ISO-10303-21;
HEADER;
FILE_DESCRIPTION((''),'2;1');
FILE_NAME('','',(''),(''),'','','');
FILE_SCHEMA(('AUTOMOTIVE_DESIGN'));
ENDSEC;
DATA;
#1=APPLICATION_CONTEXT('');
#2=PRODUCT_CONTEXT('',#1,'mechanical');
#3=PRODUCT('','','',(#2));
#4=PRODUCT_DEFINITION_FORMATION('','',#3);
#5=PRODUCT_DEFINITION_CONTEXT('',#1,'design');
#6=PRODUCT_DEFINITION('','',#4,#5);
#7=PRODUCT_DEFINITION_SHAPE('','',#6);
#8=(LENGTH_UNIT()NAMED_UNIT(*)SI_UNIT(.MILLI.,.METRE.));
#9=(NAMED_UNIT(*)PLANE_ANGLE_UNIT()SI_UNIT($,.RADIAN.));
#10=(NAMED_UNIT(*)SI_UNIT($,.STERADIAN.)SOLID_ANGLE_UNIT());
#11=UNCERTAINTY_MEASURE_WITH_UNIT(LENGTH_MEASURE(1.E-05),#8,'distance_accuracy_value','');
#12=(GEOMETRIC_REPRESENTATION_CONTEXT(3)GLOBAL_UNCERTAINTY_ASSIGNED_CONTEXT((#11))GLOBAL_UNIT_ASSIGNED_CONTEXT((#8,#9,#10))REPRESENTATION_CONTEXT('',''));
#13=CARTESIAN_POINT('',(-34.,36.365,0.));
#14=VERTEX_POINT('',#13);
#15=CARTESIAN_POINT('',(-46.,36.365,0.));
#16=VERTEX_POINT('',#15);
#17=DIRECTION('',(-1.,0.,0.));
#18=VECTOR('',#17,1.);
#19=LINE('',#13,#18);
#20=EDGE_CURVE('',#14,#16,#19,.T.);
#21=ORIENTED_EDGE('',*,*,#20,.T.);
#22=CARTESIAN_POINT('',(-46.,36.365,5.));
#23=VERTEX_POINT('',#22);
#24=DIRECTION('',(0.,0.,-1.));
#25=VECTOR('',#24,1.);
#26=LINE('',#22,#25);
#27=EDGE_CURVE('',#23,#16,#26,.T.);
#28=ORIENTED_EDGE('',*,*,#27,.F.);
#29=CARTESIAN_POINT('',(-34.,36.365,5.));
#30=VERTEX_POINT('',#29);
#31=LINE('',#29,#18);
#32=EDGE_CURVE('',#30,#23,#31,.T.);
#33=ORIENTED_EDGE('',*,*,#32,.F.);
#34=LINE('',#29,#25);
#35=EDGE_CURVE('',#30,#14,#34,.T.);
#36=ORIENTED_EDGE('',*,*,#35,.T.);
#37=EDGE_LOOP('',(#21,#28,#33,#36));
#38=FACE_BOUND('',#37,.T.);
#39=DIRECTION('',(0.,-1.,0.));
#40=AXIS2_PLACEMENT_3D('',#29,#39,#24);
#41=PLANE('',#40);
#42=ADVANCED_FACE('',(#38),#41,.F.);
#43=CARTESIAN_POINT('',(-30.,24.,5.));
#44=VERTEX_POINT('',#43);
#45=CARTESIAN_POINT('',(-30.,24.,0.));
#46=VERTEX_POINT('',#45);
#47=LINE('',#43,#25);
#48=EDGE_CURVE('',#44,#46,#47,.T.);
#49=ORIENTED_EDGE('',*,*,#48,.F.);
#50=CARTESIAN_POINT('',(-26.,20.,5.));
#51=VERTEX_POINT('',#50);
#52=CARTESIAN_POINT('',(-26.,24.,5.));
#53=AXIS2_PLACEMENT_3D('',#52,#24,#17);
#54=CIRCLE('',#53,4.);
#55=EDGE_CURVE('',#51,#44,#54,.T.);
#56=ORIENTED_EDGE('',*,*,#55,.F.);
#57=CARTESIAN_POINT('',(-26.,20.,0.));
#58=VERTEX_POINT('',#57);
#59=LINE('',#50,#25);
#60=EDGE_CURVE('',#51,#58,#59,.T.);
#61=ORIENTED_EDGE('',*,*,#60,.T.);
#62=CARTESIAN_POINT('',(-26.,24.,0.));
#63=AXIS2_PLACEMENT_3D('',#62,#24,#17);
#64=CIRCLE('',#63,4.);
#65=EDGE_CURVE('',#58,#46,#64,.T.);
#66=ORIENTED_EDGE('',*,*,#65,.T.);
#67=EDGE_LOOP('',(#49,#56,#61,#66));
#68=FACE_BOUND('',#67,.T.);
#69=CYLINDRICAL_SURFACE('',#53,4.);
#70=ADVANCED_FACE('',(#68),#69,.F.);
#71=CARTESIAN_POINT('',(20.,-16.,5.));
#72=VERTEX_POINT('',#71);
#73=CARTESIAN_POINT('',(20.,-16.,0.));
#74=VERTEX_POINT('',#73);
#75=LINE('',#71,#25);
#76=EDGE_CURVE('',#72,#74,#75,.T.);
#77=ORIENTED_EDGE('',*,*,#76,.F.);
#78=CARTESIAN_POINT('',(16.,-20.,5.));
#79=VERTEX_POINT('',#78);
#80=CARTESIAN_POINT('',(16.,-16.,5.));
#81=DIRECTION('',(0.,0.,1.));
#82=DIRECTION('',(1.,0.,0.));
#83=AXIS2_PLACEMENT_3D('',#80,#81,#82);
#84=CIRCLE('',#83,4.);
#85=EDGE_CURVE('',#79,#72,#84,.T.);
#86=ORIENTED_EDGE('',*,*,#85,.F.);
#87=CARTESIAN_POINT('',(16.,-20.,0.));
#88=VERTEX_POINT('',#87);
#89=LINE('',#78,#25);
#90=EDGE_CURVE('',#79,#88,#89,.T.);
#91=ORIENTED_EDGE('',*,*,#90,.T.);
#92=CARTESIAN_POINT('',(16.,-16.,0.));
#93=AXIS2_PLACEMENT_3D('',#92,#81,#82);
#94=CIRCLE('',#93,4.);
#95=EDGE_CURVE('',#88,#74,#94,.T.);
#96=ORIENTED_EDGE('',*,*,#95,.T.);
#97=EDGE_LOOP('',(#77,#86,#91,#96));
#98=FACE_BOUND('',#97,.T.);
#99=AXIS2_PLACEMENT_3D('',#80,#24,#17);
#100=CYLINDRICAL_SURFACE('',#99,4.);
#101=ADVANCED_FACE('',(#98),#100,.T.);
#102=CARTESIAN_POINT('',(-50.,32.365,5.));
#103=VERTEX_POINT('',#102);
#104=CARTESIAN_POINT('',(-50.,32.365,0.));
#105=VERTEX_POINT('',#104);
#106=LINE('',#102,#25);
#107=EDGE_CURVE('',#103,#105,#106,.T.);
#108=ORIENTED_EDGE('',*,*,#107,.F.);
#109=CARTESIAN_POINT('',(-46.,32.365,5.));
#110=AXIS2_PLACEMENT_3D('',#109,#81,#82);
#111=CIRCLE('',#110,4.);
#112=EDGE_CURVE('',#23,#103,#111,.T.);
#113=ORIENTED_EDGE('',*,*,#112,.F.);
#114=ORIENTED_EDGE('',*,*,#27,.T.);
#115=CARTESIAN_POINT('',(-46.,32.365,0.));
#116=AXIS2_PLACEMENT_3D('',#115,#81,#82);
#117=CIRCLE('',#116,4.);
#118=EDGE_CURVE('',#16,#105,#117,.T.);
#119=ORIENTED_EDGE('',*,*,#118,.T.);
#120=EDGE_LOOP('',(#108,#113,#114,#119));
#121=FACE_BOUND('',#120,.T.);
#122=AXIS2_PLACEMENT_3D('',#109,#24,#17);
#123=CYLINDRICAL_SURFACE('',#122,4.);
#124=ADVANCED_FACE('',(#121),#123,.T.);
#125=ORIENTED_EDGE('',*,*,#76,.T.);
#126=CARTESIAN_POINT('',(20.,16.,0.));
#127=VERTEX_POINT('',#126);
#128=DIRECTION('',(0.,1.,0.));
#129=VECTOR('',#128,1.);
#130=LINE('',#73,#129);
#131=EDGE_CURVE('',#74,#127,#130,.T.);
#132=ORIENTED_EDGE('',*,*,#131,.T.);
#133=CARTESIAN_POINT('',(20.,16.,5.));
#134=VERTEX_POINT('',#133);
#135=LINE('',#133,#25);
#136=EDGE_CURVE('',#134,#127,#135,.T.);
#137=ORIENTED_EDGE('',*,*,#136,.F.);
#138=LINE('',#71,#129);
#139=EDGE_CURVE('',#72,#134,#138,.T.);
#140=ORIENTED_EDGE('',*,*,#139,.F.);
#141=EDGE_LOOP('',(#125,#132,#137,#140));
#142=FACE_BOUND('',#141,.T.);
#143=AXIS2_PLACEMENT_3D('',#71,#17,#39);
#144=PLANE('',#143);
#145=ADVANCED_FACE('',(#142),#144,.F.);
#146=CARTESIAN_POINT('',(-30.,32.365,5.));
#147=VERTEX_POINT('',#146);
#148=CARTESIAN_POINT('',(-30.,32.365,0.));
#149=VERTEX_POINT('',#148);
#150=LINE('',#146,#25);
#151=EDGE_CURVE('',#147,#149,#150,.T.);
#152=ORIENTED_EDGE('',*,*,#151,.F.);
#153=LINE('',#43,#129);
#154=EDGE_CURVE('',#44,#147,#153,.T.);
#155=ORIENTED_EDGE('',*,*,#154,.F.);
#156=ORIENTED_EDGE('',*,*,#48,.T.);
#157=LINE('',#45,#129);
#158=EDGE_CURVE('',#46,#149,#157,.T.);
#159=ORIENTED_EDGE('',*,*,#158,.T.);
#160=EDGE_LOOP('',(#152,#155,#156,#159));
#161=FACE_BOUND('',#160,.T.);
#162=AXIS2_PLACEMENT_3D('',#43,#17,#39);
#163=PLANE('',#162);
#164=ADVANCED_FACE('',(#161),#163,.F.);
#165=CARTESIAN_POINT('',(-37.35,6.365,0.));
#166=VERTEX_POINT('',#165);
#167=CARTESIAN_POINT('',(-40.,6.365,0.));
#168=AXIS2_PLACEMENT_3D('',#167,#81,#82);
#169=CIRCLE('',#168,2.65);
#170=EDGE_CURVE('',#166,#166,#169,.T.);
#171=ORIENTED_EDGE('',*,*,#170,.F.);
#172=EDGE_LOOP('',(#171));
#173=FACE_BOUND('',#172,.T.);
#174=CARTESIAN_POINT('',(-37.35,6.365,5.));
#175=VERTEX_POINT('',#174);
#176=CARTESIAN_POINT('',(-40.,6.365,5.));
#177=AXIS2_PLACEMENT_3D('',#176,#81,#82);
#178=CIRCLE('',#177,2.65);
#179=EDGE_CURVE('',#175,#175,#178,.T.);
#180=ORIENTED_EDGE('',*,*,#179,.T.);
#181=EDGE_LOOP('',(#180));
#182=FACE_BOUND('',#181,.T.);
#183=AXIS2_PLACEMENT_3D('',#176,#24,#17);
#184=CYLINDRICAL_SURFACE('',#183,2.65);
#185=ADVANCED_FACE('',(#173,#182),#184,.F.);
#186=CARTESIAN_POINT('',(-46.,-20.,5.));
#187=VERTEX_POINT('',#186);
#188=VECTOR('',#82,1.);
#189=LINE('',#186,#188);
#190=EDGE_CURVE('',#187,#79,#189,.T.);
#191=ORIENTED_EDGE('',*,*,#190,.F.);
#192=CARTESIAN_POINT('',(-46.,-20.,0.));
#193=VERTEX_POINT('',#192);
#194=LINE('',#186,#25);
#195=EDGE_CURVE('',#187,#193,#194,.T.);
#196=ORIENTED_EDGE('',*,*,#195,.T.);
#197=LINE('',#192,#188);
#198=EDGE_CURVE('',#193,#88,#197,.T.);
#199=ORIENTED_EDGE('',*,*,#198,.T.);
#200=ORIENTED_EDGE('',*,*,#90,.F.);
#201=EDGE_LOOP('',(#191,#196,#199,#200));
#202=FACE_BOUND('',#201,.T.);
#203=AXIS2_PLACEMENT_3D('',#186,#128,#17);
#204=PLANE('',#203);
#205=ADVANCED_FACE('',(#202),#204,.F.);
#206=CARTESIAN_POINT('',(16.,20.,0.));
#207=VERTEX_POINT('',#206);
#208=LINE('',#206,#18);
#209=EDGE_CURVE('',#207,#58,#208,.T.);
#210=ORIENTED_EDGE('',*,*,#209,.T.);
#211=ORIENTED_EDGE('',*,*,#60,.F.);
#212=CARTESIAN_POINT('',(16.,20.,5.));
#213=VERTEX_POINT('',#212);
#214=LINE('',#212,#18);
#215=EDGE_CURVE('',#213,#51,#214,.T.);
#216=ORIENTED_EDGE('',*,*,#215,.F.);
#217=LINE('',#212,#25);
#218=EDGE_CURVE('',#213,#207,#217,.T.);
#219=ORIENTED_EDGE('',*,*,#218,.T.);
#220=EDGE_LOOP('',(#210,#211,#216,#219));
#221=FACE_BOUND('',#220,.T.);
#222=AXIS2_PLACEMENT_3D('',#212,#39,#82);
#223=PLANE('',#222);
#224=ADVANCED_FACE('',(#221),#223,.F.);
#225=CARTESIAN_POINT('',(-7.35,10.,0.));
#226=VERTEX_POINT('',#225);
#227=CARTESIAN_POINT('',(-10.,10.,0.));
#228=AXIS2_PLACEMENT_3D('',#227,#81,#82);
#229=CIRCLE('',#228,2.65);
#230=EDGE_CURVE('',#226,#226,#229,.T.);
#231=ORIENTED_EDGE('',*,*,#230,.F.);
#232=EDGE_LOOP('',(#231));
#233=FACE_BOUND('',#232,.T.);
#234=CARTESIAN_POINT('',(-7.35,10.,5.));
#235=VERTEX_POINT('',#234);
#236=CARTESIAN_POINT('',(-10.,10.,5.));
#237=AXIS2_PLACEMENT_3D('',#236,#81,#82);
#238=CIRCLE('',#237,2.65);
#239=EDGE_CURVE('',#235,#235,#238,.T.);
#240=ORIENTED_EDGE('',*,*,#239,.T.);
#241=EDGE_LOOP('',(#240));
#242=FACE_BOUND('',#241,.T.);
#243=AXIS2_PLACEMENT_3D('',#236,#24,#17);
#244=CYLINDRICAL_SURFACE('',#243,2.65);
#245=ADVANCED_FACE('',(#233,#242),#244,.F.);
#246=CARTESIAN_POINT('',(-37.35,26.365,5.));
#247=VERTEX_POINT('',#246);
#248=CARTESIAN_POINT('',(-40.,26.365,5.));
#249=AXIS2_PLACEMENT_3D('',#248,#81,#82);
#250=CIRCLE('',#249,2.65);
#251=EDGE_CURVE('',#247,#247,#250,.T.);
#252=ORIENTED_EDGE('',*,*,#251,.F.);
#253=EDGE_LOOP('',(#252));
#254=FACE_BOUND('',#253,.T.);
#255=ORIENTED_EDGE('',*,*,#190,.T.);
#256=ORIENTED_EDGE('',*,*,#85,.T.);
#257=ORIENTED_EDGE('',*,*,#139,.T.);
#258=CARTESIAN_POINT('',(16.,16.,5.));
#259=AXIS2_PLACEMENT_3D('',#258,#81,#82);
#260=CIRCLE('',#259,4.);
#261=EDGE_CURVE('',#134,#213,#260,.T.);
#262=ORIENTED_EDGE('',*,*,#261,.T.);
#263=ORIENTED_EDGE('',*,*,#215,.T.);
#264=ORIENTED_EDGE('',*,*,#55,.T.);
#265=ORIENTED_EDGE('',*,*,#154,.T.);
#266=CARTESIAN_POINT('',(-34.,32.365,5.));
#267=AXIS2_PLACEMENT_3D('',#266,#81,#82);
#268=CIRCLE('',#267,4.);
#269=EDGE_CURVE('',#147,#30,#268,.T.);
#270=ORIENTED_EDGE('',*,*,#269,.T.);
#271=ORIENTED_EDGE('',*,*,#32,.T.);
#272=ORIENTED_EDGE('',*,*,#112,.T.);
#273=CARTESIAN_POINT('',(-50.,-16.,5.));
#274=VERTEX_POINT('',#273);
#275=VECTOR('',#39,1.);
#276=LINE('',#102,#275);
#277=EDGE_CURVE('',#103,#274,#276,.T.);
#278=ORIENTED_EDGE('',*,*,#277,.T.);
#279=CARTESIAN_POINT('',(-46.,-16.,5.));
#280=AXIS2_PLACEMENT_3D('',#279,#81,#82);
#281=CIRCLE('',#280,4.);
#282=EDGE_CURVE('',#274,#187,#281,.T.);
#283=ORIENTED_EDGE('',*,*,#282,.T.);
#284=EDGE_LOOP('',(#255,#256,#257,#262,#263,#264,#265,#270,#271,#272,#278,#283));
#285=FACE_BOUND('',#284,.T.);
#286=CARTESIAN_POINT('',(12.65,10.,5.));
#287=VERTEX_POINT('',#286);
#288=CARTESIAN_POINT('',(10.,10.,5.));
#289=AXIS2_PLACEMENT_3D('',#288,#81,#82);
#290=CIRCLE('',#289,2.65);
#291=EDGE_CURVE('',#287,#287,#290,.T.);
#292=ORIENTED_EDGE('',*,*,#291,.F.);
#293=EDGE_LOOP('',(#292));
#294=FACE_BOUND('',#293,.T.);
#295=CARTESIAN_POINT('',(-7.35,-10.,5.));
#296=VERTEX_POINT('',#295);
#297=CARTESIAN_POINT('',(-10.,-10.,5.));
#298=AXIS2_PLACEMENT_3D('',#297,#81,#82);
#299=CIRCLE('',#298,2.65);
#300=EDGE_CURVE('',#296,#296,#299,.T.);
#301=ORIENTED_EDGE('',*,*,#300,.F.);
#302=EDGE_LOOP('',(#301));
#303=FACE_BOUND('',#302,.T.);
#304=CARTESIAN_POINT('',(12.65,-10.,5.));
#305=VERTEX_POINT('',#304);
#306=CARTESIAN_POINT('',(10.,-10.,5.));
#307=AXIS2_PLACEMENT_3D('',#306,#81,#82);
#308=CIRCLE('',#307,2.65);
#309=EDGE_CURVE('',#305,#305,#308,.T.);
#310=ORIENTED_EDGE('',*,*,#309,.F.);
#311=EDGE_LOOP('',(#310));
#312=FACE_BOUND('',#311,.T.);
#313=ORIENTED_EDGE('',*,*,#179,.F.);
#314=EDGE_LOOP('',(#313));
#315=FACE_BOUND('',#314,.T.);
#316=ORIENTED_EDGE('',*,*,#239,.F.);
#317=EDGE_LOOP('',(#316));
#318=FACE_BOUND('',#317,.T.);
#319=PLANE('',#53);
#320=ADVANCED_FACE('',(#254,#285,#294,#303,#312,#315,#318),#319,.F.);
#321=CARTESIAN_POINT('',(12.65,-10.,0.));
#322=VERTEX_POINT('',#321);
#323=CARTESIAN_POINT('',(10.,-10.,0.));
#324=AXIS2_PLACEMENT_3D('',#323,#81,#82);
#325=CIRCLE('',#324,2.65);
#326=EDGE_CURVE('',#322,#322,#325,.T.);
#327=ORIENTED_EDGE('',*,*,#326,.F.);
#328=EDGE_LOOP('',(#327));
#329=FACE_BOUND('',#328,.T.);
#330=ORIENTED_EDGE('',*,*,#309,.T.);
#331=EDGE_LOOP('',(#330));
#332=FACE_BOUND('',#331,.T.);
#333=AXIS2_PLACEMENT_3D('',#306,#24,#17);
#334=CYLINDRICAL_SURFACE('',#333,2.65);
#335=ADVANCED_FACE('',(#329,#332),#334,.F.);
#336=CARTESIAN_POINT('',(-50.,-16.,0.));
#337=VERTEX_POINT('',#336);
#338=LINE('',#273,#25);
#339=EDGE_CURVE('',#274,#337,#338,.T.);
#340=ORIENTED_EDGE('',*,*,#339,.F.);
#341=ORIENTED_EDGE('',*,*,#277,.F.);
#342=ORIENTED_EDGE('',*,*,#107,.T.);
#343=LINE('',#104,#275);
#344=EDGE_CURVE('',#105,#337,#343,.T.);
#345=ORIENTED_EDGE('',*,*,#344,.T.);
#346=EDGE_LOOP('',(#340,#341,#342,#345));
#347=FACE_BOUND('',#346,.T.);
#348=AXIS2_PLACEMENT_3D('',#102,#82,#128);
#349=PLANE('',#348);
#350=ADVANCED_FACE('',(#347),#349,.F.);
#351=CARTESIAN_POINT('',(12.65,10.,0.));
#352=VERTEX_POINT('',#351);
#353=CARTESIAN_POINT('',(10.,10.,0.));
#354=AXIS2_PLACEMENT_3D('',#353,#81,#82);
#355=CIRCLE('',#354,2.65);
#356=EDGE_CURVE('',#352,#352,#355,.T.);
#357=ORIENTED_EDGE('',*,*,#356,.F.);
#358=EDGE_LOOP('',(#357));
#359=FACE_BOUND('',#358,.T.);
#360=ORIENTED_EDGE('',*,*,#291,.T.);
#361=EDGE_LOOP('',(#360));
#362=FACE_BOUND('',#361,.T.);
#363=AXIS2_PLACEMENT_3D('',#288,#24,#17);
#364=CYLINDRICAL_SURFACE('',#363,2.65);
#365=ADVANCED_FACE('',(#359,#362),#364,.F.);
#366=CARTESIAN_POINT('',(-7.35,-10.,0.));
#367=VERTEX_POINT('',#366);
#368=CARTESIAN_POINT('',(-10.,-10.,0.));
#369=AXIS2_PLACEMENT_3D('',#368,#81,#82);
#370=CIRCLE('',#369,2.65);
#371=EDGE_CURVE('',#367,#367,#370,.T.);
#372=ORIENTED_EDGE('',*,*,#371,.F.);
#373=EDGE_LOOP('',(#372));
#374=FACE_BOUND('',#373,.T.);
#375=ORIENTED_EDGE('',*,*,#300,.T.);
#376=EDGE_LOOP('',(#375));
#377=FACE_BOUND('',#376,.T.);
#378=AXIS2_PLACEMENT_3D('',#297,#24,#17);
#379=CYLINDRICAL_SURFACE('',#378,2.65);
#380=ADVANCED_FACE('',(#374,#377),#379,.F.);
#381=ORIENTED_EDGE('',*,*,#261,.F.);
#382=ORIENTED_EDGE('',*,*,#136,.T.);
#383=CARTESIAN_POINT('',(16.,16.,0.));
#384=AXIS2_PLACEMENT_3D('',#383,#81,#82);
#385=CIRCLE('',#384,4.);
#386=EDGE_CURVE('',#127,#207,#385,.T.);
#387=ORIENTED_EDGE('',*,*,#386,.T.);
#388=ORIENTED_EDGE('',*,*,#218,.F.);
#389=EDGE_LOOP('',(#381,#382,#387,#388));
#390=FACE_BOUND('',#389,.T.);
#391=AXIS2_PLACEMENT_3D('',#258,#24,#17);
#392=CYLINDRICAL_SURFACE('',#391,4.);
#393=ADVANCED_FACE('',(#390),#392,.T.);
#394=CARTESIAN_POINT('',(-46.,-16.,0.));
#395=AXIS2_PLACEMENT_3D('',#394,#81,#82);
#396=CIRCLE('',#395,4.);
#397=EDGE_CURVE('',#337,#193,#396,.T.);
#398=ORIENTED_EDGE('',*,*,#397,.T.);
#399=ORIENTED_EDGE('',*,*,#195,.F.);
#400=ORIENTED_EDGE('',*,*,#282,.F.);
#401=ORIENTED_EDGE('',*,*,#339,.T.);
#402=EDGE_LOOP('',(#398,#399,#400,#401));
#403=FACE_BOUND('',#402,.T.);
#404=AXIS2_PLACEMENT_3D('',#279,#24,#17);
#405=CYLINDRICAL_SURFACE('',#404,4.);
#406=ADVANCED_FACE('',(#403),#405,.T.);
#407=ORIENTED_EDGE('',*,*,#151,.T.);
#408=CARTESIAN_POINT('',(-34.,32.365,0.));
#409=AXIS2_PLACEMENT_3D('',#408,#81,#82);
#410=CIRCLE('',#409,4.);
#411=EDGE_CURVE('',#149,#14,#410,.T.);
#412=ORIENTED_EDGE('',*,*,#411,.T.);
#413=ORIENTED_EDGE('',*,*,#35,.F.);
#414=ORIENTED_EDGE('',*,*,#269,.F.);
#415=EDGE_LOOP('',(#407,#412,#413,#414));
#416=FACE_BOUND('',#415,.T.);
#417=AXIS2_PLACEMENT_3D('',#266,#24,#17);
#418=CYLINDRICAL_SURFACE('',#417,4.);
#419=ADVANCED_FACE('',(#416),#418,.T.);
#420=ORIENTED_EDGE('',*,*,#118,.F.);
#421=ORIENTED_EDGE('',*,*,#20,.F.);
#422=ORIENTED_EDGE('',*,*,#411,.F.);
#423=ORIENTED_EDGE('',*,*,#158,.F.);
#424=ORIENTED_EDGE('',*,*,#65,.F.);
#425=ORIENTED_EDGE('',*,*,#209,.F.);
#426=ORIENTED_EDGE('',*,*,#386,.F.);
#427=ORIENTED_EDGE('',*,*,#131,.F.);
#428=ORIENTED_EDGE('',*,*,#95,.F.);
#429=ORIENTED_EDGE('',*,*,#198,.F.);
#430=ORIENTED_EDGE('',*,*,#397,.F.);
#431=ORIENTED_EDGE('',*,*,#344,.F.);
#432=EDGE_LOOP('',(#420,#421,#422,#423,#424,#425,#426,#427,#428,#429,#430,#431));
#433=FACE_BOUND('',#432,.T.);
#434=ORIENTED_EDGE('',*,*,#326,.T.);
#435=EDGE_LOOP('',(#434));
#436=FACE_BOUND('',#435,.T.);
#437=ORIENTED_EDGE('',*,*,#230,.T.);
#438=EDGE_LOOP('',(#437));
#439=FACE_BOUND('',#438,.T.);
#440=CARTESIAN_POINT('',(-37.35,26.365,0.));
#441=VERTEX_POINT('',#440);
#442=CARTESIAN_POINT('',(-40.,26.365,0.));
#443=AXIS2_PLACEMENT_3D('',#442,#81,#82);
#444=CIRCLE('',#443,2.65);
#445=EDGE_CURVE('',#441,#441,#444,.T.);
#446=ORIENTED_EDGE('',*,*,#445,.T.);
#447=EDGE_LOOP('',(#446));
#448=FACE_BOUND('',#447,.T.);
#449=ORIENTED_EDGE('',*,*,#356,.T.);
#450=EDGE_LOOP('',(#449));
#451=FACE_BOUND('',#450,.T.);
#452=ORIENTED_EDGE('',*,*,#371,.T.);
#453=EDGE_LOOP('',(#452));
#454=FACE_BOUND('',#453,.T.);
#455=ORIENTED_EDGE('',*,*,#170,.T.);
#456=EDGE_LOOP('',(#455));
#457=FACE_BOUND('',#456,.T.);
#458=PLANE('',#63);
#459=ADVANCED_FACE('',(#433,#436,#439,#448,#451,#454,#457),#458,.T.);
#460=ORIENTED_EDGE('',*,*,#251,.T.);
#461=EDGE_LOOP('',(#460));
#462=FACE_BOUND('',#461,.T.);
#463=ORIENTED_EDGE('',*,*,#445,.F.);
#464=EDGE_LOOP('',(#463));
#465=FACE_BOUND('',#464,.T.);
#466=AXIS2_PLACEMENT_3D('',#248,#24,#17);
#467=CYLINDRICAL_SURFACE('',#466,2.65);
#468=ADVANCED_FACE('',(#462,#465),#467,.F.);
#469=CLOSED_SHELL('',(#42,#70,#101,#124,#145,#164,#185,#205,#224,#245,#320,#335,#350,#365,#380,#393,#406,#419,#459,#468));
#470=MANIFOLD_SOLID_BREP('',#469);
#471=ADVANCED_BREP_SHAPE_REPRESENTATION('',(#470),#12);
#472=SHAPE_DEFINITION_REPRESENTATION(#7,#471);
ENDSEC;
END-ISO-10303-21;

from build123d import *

# Parameters (mm, degrees)
END_CAP_SKETCH_R        = 2.65
EXTRUDE_THICKNESS_DEPTH = 5


with BuildPart() as part:
    # End Cap Sketch → Extrude Thickness (new body)
    with BuildSketch(Plane.XY):
        with BuildLine():
            Line((-46, -20), (16, -20))
            ThreePointArc((16, -20), (18.828427125, -18.828427125), (20, -16))
            Line((20, -16), (20, 16))
            ThreePointArc((20, 16), (18.828427125, 18.828427125), (16, 20))
            Line((16, 20), (-26, 20))
            ThreePointArc((-26, 20), (-28.828427125, 21.171572875), (-30, 24))
            Line((-30, 24), (-30, 32.365))
            ThreePointArc((-30, 32.365), (-31.171572875, 35.193427125), (-34, 36.365))
            Line((-34, 36.365), (-46, 36.365))
            ThreePointArc((-46, 36.365), (-48.828427125, 35.193427125), (-50, 32.365))
            Line((-50, 32.365), (-50, -16))
            ThreePointArc((-50, -16), (-48.828427125, -18.828427125), (-46, -20))
        make_face()
        with Locations((-10, 10)):
            Circle(END_CAP_SKETCH_R, mode=Mode.SUBTRACT)
        with Locations((-10, -10)):
            Circle(END_CAP_SKETCH_R, mode=Mode.SUBTRACT)
        with Locations((10, 10)):
            Circle(END_CAP_SKETCH_R, mode=Mode.SUBTRACT)
        with Locations((10, -10)):
            Circle(END_CAP_SKETCH_R, mode=Mode.SUBTRACT)
        with Locations((-40, 26.365)):
            Circle(END_CAP_SKETCH_R, mode=Mode.SUBTRACT)
        with Locations((-40, 6.365)):
            Circle(END_CAP_SKETCH_R, mode=Mode.SUBTRACT)
    extrude(amount=EXTRUDE_THICKNESS_DEPTH)


solid = part.part
